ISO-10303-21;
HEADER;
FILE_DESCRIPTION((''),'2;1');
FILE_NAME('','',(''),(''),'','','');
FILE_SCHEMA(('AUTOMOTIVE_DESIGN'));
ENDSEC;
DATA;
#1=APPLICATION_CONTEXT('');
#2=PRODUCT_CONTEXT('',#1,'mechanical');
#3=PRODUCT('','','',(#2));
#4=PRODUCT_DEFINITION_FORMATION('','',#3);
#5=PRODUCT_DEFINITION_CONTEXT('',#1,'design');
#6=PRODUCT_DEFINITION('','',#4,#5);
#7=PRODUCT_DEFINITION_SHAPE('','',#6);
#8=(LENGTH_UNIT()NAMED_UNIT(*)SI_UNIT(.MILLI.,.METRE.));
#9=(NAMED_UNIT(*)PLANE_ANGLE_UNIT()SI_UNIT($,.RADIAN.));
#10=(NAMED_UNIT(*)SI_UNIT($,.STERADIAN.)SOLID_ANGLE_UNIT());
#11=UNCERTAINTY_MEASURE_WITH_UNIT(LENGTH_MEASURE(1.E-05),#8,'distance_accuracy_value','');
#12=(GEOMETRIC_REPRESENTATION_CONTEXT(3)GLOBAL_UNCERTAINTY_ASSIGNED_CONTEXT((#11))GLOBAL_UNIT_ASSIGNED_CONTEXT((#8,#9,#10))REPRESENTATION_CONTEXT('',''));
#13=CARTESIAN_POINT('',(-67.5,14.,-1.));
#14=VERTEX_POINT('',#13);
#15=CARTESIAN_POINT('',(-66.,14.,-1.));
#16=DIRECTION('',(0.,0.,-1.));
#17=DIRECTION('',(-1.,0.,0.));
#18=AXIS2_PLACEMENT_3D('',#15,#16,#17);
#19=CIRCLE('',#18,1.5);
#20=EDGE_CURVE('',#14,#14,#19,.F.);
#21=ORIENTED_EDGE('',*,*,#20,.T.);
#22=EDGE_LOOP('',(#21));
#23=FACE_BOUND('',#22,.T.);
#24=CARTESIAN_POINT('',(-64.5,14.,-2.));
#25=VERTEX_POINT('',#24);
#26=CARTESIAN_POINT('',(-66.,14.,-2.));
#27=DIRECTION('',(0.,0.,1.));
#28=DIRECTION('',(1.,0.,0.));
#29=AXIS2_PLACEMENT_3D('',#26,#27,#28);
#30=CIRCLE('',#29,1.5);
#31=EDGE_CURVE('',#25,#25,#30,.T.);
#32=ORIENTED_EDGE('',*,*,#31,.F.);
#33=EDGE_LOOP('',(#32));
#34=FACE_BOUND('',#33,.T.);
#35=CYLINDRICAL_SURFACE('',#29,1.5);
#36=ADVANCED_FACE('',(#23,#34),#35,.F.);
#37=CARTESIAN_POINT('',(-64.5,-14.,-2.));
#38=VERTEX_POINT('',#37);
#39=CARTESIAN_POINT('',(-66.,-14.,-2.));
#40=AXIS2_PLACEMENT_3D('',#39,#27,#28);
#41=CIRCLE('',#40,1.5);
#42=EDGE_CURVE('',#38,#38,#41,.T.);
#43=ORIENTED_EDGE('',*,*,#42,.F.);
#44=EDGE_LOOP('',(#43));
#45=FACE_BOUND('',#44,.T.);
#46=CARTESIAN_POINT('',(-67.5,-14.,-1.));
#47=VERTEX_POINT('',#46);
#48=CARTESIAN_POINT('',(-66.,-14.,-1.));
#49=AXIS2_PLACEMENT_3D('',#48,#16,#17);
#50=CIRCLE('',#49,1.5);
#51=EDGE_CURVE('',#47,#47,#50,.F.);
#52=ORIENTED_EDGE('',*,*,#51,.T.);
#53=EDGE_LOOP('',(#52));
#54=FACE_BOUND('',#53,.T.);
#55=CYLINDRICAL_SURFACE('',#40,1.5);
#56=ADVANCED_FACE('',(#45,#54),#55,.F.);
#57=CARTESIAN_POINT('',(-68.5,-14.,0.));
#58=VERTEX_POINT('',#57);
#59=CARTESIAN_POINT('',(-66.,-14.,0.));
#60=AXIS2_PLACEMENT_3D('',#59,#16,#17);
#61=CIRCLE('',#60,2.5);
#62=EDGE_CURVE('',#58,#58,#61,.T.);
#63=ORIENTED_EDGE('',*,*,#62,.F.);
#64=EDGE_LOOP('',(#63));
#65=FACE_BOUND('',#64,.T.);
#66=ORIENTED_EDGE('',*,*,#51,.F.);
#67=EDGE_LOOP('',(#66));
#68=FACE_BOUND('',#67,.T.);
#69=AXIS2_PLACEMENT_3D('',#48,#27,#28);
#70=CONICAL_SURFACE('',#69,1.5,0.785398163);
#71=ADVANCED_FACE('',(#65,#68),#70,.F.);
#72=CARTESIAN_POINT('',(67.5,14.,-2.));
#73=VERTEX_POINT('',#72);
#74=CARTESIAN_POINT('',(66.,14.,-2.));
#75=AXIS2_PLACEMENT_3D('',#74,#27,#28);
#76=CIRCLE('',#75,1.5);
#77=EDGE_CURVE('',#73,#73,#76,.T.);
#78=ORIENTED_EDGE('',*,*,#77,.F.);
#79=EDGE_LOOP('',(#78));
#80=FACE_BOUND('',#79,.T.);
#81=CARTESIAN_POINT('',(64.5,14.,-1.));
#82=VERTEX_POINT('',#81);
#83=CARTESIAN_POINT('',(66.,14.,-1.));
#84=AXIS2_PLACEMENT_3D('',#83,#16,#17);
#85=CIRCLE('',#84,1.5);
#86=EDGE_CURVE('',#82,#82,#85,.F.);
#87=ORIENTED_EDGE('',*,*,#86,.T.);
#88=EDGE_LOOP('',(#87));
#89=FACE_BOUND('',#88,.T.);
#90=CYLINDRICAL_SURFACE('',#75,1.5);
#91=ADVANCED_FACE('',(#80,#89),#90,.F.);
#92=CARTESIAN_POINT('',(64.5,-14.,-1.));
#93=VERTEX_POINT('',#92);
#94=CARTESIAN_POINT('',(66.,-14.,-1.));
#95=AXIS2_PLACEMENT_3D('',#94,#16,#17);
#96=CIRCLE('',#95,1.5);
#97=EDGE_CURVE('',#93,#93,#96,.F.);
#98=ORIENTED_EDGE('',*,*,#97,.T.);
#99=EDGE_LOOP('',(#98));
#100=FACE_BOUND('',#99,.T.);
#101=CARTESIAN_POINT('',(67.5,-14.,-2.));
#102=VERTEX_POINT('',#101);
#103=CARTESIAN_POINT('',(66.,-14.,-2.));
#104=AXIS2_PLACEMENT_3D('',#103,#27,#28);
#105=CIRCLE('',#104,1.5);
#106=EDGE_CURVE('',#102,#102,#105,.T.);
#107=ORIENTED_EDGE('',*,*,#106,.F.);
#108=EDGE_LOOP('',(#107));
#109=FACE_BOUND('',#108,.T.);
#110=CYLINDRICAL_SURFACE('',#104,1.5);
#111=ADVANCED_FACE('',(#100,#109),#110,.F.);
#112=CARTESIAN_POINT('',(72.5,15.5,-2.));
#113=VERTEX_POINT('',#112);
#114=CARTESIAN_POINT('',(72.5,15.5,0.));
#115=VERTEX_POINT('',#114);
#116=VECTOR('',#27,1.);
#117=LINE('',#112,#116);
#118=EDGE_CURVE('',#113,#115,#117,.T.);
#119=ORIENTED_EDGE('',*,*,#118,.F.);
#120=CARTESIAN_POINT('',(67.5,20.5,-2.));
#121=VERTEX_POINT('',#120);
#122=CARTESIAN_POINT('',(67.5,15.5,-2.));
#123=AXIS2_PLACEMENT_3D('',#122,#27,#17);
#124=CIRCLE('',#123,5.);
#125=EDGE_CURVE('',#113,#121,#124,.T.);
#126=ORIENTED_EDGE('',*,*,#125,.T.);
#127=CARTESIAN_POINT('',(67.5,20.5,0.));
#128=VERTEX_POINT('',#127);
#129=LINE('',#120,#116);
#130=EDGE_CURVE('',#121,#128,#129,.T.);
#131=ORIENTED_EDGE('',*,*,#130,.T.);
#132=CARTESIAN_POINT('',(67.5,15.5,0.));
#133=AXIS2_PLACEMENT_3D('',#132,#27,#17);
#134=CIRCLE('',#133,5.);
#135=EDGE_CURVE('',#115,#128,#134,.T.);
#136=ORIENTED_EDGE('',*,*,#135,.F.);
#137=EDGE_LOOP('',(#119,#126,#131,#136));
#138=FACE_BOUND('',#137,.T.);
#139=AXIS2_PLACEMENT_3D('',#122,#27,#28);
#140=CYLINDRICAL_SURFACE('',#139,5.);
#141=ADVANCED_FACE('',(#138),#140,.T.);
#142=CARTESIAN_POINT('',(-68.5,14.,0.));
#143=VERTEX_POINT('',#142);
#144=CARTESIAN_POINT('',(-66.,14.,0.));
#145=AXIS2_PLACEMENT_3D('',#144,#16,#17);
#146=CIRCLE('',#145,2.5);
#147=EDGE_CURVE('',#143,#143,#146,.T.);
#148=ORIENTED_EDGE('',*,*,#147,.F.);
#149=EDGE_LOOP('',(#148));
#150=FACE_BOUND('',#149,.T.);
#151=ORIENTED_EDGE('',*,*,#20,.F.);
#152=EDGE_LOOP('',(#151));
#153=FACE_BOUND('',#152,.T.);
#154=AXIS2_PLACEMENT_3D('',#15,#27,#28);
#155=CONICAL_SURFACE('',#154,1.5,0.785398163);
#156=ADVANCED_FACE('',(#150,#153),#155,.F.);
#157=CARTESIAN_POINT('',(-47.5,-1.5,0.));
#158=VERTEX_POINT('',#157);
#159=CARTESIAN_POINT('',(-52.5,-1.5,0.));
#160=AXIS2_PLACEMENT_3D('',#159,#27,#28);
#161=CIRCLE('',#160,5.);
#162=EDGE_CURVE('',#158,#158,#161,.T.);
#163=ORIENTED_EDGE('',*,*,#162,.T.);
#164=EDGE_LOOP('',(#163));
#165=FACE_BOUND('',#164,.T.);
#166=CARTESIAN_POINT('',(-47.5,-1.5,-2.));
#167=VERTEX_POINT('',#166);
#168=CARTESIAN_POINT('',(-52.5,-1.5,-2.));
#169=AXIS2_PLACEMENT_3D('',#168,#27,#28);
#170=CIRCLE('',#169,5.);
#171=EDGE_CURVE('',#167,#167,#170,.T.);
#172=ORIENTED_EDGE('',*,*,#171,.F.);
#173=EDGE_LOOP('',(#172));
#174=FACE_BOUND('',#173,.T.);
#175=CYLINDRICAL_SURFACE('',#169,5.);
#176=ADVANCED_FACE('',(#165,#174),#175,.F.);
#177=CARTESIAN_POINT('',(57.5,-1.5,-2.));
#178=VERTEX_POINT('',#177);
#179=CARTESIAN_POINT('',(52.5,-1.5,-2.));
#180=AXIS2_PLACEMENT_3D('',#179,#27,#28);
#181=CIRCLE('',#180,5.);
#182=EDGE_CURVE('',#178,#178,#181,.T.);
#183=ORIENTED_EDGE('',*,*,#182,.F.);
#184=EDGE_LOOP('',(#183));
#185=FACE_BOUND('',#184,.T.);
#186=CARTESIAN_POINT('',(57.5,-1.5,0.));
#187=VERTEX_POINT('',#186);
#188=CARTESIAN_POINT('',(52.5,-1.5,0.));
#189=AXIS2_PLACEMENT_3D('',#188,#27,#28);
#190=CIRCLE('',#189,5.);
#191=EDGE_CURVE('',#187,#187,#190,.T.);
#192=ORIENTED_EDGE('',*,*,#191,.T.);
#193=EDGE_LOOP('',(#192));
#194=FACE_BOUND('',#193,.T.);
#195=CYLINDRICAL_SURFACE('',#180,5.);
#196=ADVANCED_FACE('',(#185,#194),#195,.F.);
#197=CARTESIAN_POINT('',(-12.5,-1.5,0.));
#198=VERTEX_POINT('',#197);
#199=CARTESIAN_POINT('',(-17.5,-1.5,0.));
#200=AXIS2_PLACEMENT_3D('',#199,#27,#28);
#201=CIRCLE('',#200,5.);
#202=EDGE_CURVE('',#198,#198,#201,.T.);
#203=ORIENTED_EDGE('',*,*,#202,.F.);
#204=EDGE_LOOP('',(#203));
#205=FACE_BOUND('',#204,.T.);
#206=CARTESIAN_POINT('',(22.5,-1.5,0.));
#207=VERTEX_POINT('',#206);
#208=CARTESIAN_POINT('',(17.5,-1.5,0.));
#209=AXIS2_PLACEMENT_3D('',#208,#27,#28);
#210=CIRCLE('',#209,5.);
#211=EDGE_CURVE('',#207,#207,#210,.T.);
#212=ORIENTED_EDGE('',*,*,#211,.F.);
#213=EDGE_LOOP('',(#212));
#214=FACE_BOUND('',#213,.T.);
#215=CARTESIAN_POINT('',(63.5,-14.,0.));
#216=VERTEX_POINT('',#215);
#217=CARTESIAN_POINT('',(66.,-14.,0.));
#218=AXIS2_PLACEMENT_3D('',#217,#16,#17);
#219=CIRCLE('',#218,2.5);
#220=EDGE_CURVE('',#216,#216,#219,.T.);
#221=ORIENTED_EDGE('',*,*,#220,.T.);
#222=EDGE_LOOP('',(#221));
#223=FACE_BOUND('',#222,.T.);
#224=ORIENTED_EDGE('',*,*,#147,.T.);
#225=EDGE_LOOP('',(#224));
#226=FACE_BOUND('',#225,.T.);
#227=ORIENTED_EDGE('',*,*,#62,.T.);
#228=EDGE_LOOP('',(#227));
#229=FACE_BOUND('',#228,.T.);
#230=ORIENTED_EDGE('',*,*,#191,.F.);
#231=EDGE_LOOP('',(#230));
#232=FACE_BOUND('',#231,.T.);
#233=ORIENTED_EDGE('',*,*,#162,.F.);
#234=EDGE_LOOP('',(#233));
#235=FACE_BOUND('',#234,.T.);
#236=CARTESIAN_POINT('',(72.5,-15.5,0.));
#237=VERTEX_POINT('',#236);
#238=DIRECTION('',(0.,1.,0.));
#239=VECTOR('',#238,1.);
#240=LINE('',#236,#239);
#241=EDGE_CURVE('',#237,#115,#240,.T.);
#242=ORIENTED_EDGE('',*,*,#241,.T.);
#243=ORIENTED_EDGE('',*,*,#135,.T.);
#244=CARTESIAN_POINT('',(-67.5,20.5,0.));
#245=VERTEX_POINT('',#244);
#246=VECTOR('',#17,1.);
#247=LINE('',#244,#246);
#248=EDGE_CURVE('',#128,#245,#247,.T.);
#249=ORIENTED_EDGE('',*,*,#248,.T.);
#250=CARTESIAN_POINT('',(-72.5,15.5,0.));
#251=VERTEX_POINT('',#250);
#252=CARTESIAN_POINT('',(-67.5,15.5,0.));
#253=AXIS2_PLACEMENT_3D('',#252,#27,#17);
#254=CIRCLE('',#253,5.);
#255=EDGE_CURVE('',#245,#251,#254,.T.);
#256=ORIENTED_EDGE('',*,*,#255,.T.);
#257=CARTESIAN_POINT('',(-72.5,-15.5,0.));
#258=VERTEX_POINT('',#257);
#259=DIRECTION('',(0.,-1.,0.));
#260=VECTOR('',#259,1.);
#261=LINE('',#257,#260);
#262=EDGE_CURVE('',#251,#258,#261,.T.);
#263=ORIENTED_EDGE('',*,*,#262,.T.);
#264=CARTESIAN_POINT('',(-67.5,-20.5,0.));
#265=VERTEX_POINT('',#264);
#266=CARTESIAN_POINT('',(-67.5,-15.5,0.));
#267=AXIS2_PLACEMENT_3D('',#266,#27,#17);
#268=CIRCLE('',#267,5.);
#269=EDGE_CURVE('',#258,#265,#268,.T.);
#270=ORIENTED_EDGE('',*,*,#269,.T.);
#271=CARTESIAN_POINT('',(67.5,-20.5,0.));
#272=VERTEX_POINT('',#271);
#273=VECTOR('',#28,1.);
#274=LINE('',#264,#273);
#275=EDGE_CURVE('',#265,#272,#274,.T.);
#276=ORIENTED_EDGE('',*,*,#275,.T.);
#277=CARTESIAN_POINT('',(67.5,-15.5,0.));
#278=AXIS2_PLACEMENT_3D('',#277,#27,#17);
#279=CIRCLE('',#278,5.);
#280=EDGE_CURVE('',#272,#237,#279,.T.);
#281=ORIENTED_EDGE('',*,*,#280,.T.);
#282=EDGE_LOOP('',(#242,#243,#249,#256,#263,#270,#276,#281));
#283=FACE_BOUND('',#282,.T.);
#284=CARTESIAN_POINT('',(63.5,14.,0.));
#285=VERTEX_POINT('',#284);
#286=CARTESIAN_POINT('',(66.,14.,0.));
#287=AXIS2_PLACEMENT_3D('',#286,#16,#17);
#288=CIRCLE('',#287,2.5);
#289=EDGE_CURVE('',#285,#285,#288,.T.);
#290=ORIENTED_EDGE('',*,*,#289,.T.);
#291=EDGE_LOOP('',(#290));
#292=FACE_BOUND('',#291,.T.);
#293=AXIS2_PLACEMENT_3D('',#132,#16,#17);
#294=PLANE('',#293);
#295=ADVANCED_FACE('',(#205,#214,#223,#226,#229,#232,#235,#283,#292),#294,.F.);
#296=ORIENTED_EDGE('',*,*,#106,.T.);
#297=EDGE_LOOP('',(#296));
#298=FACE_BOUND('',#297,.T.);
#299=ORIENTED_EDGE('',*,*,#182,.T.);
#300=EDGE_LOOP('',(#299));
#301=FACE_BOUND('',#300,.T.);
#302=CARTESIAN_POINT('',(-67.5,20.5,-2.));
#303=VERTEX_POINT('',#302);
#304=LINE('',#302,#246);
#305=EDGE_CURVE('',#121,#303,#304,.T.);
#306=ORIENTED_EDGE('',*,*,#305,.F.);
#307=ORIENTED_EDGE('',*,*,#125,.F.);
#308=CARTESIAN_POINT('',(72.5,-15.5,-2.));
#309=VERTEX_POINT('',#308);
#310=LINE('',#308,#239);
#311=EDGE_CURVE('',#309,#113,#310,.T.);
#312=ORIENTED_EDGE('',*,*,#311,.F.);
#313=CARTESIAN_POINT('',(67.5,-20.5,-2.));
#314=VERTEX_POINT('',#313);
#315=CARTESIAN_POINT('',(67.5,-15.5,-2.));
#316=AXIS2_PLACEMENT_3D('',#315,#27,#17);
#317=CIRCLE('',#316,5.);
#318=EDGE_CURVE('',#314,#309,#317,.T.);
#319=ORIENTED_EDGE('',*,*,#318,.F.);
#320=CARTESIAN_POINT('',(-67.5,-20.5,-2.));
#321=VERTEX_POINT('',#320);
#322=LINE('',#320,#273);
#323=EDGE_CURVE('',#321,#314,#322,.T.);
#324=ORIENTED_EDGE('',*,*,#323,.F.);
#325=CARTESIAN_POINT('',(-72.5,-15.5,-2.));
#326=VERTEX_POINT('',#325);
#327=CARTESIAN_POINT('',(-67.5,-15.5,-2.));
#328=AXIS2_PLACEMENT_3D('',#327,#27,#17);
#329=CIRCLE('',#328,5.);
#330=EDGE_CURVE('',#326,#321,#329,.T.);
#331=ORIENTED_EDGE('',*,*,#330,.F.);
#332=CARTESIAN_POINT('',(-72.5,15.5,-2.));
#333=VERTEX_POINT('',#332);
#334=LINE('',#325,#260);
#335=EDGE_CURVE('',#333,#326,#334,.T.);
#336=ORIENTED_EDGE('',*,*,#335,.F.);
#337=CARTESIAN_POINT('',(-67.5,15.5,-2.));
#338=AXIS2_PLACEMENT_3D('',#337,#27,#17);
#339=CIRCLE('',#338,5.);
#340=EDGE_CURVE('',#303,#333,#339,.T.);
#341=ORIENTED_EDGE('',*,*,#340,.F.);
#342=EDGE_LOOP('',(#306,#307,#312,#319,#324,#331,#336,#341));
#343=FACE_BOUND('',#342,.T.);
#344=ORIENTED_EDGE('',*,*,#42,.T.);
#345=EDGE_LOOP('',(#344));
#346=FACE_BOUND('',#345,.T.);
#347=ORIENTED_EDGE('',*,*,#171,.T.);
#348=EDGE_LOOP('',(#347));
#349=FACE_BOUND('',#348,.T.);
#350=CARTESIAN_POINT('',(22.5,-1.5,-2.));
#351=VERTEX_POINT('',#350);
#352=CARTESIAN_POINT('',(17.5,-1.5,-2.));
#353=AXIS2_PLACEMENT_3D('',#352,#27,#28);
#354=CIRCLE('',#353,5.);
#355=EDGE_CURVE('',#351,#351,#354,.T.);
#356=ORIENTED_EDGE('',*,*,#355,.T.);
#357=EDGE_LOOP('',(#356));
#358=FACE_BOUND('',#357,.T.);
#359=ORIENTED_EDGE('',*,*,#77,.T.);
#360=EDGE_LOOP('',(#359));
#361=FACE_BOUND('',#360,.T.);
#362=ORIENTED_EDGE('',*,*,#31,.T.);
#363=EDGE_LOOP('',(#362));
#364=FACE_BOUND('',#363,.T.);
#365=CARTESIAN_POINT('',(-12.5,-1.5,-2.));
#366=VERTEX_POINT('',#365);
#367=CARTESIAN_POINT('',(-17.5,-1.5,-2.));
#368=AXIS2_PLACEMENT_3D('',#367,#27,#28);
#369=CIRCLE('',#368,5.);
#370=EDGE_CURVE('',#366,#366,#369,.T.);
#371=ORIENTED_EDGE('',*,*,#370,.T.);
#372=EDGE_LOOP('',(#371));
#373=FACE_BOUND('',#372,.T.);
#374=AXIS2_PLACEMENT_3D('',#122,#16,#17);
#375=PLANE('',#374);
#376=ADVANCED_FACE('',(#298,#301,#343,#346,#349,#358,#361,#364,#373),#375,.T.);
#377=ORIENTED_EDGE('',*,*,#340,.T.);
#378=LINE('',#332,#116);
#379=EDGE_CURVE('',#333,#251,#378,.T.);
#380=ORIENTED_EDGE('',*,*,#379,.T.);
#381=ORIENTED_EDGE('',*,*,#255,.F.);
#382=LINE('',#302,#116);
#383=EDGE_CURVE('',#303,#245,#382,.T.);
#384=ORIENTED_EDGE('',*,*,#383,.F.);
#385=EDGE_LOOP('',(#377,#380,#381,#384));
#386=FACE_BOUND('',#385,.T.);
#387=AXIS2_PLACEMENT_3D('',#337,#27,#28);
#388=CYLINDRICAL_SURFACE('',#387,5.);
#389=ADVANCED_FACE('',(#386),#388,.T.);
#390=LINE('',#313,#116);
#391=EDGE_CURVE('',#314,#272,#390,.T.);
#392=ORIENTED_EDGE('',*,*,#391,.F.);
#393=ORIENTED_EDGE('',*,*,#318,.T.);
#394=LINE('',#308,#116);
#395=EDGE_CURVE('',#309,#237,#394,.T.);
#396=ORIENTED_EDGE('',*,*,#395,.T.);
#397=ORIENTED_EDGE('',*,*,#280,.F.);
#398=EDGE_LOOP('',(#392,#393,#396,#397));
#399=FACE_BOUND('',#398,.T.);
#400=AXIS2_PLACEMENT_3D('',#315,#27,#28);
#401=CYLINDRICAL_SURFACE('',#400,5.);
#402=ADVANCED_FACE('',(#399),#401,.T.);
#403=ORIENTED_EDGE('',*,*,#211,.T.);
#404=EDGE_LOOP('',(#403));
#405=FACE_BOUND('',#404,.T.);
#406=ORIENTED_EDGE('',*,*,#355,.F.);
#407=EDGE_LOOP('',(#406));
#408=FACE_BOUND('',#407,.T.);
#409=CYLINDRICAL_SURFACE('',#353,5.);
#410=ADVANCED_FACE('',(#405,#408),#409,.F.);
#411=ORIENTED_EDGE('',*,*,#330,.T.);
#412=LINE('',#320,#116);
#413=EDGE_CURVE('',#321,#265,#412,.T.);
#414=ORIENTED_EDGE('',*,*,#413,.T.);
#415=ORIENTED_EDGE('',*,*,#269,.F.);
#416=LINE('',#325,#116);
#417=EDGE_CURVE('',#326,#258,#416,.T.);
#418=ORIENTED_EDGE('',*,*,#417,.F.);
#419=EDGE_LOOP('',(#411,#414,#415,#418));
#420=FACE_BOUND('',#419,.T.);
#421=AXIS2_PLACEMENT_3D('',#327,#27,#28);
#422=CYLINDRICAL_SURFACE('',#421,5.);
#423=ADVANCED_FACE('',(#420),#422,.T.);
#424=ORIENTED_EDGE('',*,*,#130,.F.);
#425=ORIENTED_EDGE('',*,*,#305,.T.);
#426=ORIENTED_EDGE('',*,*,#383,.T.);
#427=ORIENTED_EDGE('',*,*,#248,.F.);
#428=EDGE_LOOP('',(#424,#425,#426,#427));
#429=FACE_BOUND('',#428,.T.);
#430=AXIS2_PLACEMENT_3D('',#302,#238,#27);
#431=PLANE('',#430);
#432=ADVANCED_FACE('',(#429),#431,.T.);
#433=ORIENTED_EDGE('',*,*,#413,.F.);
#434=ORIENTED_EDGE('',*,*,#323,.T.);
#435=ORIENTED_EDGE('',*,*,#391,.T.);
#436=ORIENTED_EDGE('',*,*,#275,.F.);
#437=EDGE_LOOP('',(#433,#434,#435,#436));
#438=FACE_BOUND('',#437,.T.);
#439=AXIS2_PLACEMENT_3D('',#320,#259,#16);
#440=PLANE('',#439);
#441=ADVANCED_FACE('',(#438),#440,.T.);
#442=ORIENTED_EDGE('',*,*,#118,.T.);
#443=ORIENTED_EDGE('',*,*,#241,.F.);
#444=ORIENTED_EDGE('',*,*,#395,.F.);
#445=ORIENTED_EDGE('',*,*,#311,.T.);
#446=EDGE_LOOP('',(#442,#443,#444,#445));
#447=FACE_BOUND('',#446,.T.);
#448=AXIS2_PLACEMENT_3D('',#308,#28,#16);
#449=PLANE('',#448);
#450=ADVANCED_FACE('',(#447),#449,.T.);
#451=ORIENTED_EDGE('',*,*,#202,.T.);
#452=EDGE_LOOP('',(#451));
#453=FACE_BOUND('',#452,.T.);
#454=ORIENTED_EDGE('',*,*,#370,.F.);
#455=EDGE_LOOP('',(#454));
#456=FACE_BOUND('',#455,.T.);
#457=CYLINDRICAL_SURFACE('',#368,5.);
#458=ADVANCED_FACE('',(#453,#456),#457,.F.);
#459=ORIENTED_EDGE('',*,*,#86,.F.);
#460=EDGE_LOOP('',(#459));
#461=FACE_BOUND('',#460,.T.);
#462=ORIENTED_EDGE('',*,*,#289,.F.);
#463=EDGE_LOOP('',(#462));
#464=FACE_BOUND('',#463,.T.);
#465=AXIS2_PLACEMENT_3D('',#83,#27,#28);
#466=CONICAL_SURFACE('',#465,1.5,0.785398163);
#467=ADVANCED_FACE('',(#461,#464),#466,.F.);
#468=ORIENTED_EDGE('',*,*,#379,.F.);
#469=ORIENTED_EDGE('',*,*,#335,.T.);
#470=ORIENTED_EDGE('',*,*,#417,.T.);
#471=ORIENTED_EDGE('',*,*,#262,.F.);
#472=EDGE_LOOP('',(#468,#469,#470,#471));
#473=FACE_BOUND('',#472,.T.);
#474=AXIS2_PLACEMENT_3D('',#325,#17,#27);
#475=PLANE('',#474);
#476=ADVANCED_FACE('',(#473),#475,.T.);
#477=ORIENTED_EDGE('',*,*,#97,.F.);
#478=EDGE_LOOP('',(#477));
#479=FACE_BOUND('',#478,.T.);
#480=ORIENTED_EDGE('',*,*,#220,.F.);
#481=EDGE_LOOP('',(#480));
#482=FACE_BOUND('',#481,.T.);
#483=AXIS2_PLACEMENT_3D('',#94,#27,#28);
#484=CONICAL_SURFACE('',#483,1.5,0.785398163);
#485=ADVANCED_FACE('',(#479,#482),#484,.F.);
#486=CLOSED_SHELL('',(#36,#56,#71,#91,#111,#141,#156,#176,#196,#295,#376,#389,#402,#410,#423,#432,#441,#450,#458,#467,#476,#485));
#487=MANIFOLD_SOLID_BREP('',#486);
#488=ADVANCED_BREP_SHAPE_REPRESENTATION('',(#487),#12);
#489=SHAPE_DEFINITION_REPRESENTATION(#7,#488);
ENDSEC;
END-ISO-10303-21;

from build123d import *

# Parameters (mm, degrees)
CROQUIS1_R              = 5
CROQUIS1_R_2            = 1.5
SALIENTE_EXTRUIR1_DEPTH = 2
CHAFL_N1_SIZE           = 1


with BuildPart() as part:
    # Croquis1 → Saliente-Extruir1 (new body)
    with BuildSketch(Plane.XY):
        with BuildLine():
            Line((-67.5, -20.5), (67.5, -20.5))
            ThreePointArc((67.5, -20.5), (71.035533906, -19.035533906), (72.5, -15.5))
            Line((72.5, -15.5), (72.5, 15.5))
            ThreePointArc((72.5, 15.5), (71.035533906, 19.035533906), (67.5, 20.5))
            Line((67.5, 20.5), (-67.5, 20.5))
            ThreePointArc((-67.5, 20.5), (-71.035533906, 19.035533906), (-72.5, 15.5))
            Line((-72.5, 15.5), (-72.5, -15.5))
            ThreePointArc((-72.5, -15.5), (-71.035533906, -19.035533906), (-67.5, -20.5))
        make_face()
        with Locations((-52.5, -1.5)):
            Circle(CROQUIS1_R, mode=Mode.SUBTRACT)
        with Locations((-17.5, -1.5)):
            Circle(CROQUIS1_R, mode=Mode.SUBTRACT)
        with Locations((17.5, -1.5)):
            Circle(CROQUIS1_R, mode=Mode.SUBTRACT)
        with Locations((52.5, -1.5)):
            Circle(CROQUIS1_R, mode=Mode.SUBTRACT)
        with Locations((-66, 14)):
            Circle(CROQUIS1_R_2, mode=Mode.SUBTRACT)
        with Locations((-66, -14)):
            Circle(CROQUIS1_R_2, mode=Mode.SUBTRACT)
        with Locations((66, -14)):
            Circle(CROQUIS1_R_2, mode=Mode.SUBTRACT)
        with Locations((66, 14)):
            Circle(CROQUIS1_R_2, mode=Mode.SUBTRACT)
    extrude(amount=-SALIENTE_EXTRUIR1_DEPTH)

    # Chaflán1
    chafl_n1_edges = [part.edges().sort_by_distance(p)[0] for p in [
        (-67.5, 14, 0),
        (-67.5, -14, 0),
        (64.5, -14, 0),
        (64.5, 14, 0),
    ]]
    chamfer(chafl_n1_edges, length=CHAFL_N1_SIZE)


solid = part.part
